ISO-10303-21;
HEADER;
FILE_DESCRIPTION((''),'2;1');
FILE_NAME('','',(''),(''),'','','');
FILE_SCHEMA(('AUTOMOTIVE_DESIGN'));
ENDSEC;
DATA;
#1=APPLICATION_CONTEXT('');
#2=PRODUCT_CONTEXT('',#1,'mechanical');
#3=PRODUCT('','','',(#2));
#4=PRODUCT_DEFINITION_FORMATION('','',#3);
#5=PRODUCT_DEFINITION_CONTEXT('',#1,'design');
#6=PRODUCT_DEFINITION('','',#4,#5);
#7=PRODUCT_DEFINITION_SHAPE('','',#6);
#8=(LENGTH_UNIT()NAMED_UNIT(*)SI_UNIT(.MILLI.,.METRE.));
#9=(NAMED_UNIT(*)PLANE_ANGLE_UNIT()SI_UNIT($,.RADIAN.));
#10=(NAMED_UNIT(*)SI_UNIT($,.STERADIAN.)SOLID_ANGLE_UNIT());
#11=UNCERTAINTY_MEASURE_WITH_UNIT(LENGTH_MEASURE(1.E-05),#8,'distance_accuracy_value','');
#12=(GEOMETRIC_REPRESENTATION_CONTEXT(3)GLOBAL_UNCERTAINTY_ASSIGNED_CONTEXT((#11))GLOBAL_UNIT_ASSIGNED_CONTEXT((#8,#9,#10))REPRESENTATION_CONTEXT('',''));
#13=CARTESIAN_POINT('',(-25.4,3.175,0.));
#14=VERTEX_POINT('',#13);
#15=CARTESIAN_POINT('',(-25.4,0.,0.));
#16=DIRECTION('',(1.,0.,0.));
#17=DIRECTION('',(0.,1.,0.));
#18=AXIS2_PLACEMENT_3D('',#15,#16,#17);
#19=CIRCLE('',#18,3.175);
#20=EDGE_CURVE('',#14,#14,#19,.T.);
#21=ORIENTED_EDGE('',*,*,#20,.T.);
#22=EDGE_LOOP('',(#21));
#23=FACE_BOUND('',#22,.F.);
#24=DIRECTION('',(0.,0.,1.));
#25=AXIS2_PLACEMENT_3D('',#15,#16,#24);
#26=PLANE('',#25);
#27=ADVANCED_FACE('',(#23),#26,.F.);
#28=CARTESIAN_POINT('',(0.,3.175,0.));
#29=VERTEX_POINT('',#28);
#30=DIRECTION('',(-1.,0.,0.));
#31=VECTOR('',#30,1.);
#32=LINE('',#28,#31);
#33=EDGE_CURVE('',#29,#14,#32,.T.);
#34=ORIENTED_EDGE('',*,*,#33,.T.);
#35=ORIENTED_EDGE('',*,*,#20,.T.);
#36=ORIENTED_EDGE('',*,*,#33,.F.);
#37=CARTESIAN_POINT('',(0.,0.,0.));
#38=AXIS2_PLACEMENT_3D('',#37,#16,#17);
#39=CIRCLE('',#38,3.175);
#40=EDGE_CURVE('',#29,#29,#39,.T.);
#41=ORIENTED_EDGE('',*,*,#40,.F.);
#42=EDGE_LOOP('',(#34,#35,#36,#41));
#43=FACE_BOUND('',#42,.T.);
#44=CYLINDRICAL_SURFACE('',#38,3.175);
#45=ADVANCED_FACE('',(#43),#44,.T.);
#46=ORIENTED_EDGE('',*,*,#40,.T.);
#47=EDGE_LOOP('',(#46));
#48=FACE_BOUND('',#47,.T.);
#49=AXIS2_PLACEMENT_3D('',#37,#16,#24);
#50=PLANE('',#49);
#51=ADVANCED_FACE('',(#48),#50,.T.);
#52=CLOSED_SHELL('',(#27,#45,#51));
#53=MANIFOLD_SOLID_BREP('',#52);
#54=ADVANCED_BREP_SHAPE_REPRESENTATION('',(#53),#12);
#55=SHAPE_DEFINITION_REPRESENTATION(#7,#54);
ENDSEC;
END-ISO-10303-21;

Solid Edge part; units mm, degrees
sketch "Sketch1" plane through (0, 0, 0) normal (1, 0, 0) x (0, 1, 0)
  circle A0 centre (0, 0) radius 3.175
  dimension "D1" = 6.35
extrude "Protrusion1" add sketch "Sketch1" against normal blind 25.4
